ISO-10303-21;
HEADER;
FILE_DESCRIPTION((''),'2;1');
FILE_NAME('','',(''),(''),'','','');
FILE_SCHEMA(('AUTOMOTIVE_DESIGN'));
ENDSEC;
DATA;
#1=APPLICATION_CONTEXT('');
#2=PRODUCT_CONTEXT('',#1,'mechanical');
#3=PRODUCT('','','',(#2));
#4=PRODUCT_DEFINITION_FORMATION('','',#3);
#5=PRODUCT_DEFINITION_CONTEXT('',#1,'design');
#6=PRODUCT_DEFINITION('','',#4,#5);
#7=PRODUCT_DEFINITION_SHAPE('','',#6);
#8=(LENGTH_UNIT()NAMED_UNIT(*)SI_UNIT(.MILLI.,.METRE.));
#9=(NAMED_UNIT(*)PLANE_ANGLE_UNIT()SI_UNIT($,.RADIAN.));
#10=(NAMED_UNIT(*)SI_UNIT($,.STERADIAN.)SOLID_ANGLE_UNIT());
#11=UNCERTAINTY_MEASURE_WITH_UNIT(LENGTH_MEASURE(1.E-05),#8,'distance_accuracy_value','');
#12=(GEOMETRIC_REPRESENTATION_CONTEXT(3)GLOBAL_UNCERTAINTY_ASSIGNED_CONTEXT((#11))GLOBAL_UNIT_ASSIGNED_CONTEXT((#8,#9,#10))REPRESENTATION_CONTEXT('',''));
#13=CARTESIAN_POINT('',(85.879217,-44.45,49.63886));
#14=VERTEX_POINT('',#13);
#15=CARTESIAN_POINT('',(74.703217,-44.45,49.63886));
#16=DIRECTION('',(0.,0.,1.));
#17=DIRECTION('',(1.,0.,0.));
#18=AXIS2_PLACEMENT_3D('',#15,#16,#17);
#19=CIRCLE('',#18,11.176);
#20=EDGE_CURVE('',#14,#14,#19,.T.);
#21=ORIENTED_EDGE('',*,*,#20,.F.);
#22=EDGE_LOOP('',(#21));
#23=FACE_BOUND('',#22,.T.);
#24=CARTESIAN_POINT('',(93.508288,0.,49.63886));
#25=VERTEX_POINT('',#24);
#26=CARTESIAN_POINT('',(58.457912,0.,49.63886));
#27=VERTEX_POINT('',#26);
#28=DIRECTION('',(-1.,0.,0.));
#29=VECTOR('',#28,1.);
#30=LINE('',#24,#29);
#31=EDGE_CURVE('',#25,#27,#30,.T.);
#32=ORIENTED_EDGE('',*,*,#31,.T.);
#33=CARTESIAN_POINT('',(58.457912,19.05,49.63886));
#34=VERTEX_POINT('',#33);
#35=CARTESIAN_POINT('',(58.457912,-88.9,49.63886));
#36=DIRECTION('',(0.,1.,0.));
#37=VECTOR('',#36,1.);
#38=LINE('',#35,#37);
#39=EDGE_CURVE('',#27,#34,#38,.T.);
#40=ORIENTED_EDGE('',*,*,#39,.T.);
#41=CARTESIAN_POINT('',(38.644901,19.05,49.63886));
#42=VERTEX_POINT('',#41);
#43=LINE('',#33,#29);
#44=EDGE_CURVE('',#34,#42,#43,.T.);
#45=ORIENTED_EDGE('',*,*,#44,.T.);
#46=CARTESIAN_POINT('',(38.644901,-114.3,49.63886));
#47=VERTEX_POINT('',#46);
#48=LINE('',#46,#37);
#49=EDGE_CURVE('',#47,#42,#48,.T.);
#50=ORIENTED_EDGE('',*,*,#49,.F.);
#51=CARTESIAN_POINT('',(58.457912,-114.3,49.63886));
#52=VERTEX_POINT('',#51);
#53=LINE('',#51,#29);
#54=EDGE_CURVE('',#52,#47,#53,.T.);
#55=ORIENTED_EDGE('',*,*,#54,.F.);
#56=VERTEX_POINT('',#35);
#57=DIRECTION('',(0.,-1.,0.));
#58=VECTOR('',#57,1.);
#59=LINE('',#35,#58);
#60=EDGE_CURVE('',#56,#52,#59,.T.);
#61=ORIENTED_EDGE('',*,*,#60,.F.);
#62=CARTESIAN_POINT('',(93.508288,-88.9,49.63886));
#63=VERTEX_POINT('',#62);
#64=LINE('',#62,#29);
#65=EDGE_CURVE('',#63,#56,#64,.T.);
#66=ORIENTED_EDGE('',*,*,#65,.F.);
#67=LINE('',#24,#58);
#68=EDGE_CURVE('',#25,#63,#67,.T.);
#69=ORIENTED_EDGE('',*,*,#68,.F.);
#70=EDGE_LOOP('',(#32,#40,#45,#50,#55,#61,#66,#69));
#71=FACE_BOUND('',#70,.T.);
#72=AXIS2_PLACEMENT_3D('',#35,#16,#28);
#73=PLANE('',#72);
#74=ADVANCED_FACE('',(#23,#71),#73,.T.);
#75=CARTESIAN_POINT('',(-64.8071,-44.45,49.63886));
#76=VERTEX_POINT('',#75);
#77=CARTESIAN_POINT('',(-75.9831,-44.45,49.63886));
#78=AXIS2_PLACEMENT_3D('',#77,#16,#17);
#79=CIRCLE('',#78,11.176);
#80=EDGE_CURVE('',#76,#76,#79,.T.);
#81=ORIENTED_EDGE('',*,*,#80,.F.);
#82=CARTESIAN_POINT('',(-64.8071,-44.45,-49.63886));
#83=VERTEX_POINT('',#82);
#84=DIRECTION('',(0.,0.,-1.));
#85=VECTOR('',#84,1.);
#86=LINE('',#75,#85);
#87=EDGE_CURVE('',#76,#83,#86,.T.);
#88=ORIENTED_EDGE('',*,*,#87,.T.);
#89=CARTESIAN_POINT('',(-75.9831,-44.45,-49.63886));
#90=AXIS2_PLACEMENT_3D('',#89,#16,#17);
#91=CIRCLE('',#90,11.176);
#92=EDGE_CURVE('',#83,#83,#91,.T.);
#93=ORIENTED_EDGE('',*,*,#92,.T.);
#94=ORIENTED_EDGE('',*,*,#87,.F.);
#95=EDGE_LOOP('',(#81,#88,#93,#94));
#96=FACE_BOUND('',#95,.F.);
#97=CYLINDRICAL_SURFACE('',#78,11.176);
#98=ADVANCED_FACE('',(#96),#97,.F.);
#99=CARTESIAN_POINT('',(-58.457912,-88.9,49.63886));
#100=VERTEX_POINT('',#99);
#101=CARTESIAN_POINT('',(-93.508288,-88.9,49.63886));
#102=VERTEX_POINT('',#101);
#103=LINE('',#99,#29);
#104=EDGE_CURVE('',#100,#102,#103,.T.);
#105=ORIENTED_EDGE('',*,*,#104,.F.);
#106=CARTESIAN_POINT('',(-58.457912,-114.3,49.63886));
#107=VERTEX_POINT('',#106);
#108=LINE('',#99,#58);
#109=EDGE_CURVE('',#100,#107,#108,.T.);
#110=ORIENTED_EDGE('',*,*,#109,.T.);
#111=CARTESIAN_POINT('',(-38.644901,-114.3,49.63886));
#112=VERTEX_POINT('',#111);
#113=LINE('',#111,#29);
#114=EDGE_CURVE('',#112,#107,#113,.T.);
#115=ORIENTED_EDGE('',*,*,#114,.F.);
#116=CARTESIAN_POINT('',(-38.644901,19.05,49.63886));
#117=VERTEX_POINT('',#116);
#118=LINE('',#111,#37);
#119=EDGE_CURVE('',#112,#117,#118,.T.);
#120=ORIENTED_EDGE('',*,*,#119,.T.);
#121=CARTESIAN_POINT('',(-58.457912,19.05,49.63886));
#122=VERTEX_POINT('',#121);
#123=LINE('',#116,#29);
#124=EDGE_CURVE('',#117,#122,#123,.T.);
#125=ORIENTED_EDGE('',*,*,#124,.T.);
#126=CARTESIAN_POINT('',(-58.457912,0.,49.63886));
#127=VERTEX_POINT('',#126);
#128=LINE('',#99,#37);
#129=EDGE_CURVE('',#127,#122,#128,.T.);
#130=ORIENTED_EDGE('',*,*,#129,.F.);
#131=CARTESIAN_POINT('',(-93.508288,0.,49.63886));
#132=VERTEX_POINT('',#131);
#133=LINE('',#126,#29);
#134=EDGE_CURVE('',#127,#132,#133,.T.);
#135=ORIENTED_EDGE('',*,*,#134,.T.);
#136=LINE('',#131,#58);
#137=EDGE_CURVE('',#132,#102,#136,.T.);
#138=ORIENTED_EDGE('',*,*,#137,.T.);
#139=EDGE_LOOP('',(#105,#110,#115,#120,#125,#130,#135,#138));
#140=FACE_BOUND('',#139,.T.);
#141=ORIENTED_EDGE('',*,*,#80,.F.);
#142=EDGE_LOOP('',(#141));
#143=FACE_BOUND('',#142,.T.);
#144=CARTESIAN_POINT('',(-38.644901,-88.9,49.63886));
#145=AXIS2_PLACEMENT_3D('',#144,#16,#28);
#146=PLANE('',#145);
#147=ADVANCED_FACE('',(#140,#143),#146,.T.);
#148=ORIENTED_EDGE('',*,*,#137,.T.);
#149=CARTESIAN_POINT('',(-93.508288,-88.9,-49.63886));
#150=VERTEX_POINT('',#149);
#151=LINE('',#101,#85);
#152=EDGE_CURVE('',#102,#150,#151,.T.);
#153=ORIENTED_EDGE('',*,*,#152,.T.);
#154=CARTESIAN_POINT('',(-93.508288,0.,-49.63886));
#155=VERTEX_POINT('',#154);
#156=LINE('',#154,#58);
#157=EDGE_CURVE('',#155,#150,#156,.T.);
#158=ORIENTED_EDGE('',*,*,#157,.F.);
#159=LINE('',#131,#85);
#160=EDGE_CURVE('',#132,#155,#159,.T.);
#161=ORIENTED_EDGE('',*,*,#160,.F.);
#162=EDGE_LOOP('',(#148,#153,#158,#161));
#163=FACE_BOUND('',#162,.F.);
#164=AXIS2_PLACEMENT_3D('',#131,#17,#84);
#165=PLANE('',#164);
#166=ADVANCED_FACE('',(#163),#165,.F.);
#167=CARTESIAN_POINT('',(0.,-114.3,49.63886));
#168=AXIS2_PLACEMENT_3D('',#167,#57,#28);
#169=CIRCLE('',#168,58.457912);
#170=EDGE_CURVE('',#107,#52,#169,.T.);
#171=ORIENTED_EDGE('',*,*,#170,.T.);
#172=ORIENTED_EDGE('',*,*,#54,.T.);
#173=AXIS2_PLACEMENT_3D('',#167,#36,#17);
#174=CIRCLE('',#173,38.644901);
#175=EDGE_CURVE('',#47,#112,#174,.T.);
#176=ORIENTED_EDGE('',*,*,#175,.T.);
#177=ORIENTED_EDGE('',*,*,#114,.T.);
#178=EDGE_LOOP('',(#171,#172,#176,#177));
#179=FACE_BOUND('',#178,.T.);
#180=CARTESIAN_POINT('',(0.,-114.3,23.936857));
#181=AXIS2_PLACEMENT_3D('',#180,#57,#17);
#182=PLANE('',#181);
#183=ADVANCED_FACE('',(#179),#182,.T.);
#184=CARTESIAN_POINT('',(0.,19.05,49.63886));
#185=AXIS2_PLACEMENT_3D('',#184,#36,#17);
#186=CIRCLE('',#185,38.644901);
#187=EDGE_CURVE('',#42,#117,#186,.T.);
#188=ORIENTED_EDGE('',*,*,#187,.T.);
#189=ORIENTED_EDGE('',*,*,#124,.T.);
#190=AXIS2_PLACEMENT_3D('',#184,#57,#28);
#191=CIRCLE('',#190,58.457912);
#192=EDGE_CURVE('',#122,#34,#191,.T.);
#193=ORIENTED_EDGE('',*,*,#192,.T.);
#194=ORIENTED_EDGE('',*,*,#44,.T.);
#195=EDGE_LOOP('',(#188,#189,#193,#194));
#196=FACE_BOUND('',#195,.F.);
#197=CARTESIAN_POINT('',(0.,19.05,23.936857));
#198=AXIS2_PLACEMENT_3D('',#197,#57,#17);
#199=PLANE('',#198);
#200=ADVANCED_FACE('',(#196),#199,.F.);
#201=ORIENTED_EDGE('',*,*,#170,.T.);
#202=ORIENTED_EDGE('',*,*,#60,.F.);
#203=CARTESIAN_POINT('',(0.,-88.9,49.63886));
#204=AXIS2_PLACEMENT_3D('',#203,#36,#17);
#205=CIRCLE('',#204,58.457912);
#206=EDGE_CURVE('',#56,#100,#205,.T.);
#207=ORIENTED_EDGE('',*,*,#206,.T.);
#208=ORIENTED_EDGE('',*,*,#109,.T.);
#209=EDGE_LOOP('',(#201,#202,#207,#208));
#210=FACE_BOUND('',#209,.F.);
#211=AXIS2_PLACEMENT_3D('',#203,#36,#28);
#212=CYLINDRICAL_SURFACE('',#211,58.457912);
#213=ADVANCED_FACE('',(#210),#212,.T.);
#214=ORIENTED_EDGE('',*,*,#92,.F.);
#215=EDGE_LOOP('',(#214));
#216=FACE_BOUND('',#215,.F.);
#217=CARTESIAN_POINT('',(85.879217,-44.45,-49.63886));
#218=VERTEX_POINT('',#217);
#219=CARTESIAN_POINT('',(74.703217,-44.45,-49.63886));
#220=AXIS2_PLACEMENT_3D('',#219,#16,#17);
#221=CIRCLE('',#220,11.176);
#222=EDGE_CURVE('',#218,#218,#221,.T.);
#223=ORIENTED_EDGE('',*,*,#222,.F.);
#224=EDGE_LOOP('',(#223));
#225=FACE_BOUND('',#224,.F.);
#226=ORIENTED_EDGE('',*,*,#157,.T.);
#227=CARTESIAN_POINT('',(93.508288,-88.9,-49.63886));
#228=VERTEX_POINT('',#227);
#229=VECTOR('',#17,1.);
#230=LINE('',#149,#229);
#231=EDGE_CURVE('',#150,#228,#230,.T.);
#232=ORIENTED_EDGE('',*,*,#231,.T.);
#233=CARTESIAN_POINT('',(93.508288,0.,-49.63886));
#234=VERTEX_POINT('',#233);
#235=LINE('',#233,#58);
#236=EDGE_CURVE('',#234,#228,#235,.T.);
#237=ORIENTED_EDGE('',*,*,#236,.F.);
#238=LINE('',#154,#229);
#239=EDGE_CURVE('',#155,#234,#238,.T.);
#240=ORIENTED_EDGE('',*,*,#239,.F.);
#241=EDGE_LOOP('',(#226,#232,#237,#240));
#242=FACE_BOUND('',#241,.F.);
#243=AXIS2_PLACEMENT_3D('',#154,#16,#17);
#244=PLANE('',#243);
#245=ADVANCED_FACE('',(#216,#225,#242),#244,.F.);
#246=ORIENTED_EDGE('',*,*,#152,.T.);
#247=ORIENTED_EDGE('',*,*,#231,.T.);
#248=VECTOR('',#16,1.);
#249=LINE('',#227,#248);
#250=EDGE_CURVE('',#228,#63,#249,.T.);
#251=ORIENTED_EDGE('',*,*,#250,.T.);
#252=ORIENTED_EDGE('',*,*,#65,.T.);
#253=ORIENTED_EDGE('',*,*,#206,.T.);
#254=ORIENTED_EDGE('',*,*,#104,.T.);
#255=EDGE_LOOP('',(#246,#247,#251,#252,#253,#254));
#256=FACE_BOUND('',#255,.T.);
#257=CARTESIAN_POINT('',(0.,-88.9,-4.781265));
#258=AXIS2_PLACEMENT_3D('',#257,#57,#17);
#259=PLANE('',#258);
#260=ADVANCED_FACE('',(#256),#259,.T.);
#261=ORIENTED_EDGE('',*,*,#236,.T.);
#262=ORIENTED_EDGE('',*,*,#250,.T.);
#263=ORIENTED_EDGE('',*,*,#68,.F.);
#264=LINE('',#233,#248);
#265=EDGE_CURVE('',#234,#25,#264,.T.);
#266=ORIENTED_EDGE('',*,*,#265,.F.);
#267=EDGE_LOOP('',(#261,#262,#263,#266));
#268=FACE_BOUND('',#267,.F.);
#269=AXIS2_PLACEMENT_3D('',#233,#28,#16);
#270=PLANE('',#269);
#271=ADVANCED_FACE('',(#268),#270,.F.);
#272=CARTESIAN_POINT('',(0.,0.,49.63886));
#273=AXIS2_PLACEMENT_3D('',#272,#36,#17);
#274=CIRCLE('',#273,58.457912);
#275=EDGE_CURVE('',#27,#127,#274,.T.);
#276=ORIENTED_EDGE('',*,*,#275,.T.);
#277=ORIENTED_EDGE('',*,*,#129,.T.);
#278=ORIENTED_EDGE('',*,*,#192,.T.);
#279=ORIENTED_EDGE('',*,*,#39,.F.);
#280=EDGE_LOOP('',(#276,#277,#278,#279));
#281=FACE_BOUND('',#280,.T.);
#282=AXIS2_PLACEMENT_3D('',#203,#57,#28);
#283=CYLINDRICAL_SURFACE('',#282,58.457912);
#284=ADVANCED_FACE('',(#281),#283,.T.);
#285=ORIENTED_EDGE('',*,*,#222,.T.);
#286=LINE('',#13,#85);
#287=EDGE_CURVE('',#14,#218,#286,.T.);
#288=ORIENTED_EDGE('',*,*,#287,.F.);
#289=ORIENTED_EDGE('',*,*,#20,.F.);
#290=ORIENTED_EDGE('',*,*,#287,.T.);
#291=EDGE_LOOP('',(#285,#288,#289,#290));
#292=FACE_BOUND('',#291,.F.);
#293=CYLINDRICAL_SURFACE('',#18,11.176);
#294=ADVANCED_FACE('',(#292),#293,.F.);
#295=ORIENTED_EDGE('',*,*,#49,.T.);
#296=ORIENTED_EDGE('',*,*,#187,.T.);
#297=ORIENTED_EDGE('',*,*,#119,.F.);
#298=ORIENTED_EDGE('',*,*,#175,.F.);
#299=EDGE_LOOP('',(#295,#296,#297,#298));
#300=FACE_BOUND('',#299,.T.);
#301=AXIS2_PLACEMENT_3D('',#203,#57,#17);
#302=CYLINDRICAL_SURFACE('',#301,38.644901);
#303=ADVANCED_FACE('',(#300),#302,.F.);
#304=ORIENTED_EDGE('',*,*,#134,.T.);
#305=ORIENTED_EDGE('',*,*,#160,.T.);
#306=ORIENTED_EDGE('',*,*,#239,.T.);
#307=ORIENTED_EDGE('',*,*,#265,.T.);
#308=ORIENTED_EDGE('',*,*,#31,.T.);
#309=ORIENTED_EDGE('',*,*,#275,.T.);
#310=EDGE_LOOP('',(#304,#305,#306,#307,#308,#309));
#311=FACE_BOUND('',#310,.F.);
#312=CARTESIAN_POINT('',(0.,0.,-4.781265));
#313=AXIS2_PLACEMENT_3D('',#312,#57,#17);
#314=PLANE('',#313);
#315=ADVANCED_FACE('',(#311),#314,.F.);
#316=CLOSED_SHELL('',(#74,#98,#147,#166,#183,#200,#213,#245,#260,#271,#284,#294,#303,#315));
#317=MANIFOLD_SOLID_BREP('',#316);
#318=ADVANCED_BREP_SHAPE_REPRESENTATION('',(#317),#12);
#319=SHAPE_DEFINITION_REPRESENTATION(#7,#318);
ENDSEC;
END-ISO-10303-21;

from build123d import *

# Parameters (mm, degrees)
F1_DEPTH      = 88.9
F3_DEPTH      = 25.4
F3_DEPTH_BACK = 107.95
F4_R          = 11.176
F5_DEPTH      = 99.27772


with BuildPart() as f1:
    # F0 (on Front) → F1 (new body)
    with BuildSketch(Plane.XZ):
        with BuildLine():
            Line((93.508288, -49.63886), (93.508288, 49.63886))
            Line((93.508288, 49.63886), (58.457912, 49.63886))
            ThreePointArc((58.457912, 49.63886), (0, -8.819052), (-58.457912, 49.63886))
            Line((-58.457912, 49.63886), (-93.508288, 49.63886))
            Line((-93.508288, 49.63886), (-93.508288, -49.63886))
            Line((-93.508288, -49.63886), (93.508288, -49.63886))
        make_face()
    extrude(amount=F1_DEPTH)

    # F2 (on face) → F3 (join, two sides)
    with BuildSketch(Plane.XZ.offset(88.9)) as f3_sk:
        with BuildLine():
            Line((-38.644901, 49.63886), (-58.457912, 49.63886))
            ThreePointArc((-58.457912, 49.63886), (0, -8.819052), (58.457912, 49.63886))
            Line((58.457912, 49.63886), (38.644901, 49.63886))
            ThreePointArc((38.644901, 49.63886), (0, 10.993959), (-38.644901, 49.63886))
        make_face()
    extrude(amount=F3_DEPTH)
    extrude(f3_sk.sketch, amount=-F3_DEPTH_BACK)

    # F4 (on face) → F5 (cut, through all)
    with BuildSketch(Plane.XY.offset(49.63886)):
        with Locations((-75.9831, -44.45)):
            Circle(F4_R)
        with Locations((74.703217, -44.45)):
            Circle(F4_R)
    extrude(amount=-F5_DEPTH, mode=Mode.SUBTRACT)


solid = f1.part
